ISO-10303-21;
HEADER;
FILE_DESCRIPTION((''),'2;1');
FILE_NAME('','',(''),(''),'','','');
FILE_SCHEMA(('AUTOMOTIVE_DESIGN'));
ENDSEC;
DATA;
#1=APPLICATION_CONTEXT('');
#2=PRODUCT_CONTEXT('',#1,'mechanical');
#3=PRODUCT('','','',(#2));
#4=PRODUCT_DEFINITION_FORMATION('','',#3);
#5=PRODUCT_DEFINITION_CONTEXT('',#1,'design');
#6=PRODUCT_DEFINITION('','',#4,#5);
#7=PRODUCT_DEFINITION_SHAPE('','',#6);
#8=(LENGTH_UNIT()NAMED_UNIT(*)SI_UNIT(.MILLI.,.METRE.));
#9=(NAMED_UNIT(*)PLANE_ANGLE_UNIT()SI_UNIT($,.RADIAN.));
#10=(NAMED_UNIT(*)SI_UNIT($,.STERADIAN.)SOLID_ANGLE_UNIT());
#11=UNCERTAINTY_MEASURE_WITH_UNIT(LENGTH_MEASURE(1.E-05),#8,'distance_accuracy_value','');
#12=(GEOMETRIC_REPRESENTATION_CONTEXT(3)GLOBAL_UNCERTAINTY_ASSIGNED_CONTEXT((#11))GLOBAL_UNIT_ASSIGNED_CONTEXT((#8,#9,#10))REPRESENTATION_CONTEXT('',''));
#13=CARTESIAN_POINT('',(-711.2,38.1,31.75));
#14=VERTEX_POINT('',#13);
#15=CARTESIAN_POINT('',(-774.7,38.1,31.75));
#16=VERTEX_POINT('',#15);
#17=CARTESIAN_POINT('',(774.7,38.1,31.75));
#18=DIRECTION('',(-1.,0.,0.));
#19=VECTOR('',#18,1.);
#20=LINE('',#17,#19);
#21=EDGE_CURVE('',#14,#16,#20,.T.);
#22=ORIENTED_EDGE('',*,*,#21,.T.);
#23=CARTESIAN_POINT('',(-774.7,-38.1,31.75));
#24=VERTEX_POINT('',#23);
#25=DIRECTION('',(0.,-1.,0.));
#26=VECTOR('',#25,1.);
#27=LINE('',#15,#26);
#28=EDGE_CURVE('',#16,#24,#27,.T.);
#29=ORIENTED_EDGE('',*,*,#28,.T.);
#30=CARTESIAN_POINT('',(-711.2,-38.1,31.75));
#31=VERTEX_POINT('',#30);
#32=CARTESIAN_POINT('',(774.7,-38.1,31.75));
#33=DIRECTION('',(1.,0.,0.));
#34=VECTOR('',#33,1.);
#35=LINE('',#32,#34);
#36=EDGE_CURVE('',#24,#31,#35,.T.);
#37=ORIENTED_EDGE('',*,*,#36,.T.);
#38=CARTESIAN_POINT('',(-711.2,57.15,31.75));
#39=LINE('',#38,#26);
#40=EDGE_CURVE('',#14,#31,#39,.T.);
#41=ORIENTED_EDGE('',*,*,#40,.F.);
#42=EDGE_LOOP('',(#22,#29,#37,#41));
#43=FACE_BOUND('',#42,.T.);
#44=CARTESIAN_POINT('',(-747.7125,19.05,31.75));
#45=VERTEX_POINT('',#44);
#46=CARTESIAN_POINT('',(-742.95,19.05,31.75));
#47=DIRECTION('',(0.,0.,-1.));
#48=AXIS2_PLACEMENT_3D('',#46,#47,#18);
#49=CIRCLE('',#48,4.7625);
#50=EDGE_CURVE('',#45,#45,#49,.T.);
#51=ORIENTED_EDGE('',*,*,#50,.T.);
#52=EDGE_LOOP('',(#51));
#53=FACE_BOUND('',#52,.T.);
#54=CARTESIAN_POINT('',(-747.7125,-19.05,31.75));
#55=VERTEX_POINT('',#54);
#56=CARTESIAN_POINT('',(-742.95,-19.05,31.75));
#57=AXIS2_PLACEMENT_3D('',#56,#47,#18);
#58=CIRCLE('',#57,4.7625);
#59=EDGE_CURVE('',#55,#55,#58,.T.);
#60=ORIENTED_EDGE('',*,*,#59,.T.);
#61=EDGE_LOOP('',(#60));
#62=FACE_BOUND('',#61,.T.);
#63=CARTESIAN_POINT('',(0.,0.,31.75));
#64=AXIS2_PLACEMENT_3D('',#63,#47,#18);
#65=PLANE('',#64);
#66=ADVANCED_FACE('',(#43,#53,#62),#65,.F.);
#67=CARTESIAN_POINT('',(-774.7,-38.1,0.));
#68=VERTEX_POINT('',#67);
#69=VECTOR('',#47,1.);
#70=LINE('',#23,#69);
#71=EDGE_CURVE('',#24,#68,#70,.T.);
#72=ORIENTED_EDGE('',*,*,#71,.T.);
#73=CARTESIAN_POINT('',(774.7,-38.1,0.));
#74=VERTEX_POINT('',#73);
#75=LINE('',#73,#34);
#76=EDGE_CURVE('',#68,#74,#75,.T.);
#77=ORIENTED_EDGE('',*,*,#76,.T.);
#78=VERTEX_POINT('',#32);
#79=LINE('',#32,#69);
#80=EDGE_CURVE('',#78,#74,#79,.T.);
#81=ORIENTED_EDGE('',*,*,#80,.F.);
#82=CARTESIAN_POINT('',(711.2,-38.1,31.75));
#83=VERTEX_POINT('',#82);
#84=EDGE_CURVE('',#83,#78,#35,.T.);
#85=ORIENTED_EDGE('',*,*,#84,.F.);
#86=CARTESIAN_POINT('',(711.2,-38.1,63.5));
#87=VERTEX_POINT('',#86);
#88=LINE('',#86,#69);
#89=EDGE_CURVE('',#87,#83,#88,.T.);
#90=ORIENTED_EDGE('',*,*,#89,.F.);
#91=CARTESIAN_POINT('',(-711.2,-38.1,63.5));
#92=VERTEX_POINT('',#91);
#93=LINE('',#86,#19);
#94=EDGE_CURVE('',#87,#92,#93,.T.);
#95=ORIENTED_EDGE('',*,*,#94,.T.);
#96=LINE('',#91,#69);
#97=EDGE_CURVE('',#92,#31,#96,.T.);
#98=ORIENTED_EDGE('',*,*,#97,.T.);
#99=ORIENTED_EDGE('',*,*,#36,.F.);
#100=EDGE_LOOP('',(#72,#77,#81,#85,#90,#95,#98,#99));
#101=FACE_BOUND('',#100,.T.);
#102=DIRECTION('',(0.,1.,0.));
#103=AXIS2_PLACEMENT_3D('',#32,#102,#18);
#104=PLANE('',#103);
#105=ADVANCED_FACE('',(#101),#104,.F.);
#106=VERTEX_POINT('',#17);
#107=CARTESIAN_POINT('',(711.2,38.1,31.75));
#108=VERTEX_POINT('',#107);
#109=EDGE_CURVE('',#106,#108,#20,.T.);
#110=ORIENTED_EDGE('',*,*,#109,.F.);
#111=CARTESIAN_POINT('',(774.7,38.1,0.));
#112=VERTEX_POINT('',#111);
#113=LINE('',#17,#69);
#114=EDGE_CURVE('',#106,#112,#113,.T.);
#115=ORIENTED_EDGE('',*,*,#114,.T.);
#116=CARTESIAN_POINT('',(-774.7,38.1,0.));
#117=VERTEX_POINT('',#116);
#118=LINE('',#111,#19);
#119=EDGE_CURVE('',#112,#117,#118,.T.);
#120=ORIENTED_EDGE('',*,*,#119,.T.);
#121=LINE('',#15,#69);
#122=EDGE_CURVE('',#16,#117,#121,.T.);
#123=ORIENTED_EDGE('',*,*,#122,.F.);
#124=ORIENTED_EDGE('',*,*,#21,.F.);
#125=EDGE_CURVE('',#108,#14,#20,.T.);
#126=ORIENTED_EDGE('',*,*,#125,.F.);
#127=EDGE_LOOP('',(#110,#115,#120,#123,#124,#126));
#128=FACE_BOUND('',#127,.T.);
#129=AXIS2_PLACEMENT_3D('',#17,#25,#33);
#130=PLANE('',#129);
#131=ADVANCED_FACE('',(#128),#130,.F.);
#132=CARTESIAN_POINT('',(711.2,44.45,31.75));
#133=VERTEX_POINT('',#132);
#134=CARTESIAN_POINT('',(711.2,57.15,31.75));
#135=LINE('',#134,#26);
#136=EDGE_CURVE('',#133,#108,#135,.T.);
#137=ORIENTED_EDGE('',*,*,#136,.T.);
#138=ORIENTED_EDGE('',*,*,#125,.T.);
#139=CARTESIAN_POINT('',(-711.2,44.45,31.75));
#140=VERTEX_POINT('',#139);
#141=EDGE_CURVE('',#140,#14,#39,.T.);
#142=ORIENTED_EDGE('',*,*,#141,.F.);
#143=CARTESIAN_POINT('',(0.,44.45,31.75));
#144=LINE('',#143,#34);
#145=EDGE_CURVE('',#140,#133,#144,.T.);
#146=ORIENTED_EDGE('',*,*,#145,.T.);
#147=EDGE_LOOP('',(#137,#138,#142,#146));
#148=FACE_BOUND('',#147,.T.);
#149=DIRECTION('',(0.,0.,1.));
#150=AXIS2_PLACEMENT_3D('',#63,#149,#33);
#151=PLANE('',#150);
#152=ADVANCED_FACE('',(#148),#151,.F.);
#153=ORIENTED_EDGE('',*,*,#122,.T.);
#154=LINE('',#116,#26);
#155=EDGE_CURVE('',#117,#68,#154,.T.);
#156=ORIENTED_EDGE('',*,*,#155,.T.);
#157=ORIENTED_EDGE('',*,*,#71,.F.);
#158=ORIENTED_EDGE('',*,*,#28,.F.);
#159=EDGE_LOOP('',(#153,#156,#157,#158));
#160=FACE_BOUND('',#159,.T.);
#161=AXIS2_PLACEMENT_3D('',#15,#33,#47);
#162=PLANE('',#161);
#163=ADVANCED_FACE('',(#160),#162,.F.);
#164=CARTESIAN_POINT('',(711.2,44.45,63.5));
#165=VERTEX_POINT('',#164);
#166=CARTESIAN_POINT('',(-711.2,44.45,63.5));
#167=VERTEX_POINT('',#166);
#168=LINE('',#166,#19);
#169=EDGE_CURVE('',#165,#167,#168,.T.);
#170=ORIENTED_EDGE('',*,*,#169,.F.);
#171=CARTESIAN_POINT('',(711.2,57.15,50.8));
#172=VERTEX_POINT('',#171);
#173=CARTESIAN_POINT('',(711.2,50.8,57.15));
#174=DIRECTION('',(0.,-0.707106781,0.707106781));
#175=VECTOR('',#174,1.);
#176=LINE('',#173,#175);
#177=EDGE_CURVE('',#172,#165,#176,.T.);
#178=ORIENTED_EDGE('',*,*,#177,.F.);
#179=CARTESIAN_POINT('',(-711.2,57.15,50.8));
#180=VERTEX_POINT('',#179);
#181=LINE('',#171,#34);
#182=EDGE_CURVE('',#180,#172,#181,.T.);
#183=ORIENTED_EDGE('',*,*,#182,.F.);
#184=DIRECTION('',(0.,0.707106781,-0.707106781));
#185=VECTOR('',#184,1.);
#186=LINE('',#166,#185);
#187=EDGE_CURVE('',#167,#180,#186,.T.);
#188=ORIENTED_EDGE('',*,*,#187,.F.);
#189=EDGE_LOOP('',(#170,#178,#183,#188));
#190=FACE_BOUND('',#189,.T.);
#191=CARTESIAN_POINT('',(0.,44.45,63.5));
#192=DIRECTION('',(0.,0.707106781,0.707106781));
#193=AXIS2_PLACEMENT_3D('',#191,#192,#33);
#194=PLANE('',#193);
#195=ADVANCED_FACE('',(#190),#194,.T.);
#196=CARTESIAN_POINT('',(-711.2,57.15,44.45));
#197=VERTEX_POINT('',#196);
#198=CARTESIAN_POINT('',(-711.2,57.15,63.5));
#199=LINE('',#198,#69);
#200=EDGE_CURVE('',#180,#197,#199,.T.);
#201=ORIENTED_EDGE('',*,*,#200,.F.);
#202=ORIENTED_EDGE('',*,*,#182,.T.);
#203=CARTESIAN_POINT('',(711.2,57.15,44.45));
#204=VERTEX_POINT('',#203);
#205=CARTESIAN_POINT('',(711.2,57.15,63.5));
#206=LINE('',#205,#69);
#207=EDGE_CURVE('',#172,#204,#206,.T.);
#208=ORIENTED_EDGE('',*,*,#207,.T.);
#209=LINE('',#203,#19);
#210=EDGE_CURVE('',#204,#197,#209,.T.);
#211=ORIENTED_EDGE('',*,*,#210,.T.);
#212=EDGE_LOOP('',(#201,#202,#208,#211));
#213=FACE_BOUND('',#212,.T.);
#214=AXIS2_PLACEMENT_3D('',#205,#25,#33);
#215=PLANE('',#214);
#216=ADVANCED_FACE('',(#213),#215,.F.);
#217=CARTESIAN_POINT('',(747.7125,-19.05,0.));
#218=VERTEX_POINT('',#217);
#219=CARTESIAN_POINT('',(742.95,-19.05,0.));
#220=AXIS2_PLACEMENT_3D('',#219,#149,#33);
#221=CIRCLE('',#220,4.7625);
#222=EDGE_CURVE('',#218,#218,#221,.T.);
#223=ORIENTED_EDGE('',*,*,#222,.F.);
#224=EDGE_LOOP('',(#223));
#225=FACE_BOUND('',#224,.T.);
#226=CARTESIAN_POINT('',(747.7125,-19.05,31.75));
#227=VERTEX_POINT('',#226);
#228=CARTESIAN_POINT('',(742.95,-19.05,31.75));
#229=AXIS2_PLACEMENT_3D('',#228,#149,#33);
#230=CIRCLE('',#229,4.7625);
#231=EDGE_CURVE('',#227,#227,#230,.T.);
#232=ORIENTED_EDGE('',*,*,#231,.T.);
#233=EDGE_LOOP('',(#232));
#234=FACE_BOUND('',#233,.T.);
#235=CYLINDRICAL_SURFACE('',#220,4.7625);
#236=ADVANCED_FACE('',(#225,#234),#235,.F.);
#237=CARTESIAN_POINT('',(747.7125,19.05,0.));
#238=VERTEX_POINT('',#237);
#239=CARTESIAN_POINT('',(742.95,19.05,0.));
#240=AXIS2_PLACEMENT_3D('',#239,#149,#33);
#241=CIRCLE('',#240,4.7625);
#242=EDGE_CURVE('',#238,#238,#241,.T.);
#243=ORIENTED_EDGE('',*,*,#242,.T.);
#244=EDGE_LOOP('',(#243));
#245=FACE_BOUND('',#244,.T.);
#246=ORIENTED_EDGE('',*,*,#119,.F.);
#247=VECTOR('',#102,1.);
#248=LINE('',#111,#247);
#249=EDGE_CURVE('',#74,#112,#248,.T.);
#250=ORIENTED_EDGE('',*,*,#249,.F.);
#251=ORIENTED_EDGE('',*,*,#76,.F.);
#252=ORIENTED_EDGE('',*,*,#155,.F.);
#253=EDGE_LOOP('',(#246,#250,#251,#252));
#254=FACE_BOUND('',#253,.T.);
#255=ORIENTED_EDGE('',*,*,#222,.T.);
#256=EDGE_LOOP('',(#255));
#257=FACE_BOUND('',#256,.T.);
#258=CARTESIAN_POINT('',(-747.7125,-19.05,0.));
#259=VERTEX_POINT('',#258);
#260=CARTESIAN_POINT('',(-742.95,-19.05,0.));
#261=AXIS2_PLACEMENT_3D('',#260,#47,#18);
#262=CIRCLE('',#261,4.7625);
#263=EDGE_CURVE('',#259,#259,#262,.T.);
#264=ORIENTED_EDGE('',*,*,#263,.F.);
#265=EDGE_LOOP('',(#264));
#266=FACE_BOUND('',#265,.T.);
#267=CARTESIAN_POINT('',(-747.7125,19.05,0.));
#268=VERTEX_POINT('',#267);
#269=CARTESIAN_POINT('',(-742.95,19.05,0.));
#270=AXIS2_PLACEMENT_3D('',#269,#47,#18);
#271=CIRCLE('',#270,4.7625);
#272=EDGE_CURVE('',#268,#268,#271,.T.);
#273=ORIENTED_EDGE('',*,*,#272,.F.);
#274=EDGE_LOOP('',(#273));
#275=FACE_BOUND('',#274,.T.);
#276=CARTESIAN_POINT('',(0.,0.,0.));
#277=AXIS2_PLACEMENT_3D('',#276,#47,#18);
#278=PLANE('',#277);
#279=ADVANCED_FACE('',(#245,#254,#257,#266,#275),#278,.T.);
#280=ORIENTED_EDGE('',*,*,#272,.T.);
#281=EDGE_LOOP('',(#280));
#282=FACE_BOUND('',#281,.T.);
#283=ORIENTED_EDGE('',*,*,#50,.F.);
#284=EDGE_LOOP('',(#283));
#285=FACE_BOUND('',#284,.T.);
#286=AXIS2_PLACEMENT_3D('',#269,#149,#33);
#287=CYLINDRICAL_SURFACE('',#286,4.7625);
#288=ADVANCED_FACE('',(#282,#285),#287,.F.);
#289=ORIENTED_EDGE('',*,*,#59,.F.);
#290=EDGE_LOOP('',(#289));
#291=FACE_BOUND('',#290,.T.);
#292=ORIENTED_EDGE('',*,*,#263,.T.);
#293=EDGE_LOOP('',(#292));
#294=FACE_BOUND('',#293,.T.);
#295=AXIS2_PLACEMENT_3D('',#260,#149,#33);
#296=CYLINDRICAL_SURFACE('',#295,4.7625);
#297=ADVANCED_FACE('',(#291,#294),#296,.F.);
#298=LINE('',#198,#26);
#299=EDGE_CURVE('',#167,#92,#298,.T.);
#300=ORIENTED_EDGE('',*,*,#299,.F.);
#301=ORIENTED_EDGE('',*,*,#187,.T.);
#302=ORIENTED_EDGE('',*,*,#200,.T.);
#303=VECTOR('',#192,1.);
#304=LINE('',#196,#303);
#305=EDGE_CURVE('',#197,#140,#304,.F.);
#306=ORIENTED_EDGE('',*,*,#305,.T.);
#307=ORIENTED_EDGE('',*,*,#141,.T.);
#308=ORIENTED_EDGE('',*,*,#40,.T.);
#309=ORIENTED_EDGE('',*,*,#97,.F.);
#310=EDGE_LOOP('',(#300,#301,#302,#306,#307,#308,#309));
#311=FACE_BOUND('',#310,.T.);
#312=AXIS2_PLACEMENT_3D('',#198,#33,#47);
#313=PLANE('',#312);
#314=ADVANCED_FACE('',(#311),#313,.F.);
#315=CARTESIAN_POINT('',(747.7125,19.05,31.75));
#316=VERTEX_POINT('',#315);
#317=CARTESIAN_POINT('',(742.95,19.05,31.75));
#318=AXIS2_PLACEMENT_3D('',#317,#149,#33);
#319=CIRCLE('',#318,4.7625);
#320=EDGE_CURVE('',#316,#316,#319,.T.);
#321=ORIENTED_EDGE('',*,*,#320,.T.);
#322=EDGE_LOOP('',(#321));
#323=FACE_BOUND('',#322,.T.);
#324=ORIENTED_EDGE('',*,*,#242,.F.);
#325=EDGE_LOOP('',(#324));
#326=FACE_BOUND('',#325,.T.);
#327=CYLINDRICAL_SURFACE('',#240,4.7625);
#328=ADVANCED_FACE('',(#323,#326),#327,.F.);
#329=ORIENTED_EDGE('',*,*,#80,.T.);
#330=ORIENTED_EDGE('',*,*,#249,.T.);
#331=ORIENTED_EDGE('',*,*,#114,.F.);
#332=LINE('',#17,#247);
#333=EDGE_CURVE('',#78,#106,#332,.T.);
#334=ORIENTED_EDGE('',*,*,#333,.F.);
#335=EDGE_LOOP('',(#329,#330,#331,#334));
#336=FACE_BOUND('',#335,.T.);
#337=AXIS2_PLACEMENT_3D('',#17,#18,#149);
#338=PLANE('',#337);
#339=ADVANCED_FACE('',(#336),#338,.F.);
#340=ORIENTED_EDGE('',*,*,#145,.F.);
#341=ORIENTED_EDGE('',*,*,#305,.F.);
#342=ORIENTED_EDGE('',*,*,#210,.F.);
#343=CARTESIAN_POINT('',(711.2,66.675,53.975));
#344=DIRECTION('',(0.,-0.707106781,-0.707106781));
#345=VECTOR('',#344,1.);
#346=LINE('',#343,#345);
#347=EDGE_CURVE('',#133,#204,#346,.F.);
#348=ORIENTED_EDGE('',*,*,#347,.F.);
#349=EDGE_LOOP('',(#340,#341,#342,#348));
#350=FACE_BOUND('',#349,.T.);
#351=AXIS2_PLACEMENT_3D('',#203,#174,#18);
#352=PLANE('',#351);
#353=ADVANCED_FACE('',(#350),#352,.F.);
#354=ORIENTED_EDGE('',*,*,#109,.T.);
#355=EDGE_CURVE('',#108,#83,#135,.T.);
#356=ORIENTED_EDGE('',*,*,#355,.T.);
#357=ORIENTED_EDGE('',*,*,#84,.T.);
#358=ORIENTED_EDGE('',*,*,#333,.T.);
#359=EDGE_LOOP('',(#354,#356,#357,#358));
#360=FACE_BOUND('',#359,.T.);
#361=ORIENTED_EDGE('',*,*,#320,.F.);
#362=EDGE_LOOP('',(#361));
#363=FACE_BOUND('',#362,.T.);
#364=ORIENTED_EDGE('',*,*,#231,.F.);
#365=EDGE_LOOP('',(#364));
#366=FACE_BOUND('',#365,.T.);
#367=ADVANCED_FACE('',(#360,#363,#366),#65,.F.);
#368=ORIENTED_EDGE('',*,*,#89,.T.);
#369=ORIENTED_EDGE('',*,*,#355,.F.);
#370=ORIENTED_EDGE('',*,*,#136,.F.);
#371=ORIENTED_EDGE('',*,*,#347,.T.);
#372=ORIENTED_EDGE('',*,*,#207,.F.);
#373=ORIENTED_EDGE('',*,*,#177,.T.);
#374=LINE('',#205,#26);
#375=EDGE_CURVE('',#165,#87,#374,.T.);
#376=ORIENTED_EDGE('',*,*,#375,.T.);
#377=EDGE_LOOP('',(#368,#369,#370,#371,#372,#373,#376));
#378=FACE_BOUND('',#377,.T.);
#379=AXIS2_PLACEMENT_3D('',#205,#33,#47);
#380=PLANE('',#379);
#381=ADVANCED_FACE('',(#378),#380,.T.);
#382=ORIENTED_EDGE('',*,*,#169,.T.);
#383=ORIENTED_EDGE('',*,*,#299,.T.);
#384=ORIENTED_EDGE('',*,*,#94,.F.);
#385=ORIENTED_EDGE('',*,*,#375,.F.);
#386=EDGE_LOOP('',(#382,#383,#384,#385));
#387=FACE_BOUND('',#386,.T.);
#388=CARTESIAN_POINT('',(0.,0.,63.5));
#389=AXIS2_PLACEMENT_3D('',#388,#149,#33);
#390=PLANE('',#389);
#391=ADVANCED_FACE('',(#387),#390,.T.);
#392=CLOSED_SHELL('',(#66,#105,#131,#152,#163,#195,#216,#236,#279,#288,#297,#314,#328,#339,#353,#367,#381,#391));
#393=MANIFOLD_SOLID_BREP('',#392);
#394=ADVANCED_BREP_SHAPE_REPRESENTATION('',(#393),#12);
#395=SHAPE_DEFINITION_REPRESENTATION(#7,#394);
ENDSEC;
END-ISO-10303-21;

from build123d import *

# Parameters (mm, degrees)
SKETCH1_W           = 1549.4
SKETCH1_H           = 76.2
BOSS_EXTRUDE1_DEPTH = 31.75
SKETCH2_R           = 4.7625
CUT_EXTRUDE1_DEPTH  = 777.285876788
SKETCH3_W           = 1422.4
SKETCH3_H           = 95.25
BOSS_EXTRUDE2_DEPTH = 31.75
CHAMFER1_SIZE       = 12.7


with BuildPart() as part:
    # Sketch1 → Boss-Extrude1 (new body)
    with BuildSketch(Plane.XY):
        Rectangle(SKETCH1_W, SKETCH1_H)
    extrude(amount=BOSS_EXTRUDE1_DEPTH)

    # Sketch2 → Cut-Extrude1 (cut, through all)
    with BuildSketch(Plane.XY.offset(31.75)):
        with Locations((742.95, 19.05)):
            Circle(SKETCH2_R)
        with Locations((742.95, -19.05)):
            Circle(SKETCH2_R)
    cut_extrude1 = extrude(amount=-CUT_EXTRUDE1_DEPTH, mode=Mode.SUBTRACT)

    # Mirror1: Cut-Extrude1 across plane
    add(cut_extrude1.mirror(Plane(origin=(0, 0, 0), x_dir=(0, 0, 1), z_dir=(1, 0, 0))), mode=Mode.SUBTRACT)

    # Sketch3 → Boss-Extrude2 (add)
    with BuildSketch(Plane.XY.offset(31.75)):
        with Locations((0, 9.525)):
            Rectangle(SKETCH3_W, SKETCH3_H)
    extrude(amount=BOSS_EXTRUDE2_DEPTH)

    # Chamfer1
    chamfer1_edges = [part.edges().sort_by_distance(p)[0] for p in [
        (0, 57.15, 31.75),
        (0, 57.15, 63.5),
    ]]
    chamfer(chamfer1_edges, length=CHAMFER1_SIZE)


solid = part.part
